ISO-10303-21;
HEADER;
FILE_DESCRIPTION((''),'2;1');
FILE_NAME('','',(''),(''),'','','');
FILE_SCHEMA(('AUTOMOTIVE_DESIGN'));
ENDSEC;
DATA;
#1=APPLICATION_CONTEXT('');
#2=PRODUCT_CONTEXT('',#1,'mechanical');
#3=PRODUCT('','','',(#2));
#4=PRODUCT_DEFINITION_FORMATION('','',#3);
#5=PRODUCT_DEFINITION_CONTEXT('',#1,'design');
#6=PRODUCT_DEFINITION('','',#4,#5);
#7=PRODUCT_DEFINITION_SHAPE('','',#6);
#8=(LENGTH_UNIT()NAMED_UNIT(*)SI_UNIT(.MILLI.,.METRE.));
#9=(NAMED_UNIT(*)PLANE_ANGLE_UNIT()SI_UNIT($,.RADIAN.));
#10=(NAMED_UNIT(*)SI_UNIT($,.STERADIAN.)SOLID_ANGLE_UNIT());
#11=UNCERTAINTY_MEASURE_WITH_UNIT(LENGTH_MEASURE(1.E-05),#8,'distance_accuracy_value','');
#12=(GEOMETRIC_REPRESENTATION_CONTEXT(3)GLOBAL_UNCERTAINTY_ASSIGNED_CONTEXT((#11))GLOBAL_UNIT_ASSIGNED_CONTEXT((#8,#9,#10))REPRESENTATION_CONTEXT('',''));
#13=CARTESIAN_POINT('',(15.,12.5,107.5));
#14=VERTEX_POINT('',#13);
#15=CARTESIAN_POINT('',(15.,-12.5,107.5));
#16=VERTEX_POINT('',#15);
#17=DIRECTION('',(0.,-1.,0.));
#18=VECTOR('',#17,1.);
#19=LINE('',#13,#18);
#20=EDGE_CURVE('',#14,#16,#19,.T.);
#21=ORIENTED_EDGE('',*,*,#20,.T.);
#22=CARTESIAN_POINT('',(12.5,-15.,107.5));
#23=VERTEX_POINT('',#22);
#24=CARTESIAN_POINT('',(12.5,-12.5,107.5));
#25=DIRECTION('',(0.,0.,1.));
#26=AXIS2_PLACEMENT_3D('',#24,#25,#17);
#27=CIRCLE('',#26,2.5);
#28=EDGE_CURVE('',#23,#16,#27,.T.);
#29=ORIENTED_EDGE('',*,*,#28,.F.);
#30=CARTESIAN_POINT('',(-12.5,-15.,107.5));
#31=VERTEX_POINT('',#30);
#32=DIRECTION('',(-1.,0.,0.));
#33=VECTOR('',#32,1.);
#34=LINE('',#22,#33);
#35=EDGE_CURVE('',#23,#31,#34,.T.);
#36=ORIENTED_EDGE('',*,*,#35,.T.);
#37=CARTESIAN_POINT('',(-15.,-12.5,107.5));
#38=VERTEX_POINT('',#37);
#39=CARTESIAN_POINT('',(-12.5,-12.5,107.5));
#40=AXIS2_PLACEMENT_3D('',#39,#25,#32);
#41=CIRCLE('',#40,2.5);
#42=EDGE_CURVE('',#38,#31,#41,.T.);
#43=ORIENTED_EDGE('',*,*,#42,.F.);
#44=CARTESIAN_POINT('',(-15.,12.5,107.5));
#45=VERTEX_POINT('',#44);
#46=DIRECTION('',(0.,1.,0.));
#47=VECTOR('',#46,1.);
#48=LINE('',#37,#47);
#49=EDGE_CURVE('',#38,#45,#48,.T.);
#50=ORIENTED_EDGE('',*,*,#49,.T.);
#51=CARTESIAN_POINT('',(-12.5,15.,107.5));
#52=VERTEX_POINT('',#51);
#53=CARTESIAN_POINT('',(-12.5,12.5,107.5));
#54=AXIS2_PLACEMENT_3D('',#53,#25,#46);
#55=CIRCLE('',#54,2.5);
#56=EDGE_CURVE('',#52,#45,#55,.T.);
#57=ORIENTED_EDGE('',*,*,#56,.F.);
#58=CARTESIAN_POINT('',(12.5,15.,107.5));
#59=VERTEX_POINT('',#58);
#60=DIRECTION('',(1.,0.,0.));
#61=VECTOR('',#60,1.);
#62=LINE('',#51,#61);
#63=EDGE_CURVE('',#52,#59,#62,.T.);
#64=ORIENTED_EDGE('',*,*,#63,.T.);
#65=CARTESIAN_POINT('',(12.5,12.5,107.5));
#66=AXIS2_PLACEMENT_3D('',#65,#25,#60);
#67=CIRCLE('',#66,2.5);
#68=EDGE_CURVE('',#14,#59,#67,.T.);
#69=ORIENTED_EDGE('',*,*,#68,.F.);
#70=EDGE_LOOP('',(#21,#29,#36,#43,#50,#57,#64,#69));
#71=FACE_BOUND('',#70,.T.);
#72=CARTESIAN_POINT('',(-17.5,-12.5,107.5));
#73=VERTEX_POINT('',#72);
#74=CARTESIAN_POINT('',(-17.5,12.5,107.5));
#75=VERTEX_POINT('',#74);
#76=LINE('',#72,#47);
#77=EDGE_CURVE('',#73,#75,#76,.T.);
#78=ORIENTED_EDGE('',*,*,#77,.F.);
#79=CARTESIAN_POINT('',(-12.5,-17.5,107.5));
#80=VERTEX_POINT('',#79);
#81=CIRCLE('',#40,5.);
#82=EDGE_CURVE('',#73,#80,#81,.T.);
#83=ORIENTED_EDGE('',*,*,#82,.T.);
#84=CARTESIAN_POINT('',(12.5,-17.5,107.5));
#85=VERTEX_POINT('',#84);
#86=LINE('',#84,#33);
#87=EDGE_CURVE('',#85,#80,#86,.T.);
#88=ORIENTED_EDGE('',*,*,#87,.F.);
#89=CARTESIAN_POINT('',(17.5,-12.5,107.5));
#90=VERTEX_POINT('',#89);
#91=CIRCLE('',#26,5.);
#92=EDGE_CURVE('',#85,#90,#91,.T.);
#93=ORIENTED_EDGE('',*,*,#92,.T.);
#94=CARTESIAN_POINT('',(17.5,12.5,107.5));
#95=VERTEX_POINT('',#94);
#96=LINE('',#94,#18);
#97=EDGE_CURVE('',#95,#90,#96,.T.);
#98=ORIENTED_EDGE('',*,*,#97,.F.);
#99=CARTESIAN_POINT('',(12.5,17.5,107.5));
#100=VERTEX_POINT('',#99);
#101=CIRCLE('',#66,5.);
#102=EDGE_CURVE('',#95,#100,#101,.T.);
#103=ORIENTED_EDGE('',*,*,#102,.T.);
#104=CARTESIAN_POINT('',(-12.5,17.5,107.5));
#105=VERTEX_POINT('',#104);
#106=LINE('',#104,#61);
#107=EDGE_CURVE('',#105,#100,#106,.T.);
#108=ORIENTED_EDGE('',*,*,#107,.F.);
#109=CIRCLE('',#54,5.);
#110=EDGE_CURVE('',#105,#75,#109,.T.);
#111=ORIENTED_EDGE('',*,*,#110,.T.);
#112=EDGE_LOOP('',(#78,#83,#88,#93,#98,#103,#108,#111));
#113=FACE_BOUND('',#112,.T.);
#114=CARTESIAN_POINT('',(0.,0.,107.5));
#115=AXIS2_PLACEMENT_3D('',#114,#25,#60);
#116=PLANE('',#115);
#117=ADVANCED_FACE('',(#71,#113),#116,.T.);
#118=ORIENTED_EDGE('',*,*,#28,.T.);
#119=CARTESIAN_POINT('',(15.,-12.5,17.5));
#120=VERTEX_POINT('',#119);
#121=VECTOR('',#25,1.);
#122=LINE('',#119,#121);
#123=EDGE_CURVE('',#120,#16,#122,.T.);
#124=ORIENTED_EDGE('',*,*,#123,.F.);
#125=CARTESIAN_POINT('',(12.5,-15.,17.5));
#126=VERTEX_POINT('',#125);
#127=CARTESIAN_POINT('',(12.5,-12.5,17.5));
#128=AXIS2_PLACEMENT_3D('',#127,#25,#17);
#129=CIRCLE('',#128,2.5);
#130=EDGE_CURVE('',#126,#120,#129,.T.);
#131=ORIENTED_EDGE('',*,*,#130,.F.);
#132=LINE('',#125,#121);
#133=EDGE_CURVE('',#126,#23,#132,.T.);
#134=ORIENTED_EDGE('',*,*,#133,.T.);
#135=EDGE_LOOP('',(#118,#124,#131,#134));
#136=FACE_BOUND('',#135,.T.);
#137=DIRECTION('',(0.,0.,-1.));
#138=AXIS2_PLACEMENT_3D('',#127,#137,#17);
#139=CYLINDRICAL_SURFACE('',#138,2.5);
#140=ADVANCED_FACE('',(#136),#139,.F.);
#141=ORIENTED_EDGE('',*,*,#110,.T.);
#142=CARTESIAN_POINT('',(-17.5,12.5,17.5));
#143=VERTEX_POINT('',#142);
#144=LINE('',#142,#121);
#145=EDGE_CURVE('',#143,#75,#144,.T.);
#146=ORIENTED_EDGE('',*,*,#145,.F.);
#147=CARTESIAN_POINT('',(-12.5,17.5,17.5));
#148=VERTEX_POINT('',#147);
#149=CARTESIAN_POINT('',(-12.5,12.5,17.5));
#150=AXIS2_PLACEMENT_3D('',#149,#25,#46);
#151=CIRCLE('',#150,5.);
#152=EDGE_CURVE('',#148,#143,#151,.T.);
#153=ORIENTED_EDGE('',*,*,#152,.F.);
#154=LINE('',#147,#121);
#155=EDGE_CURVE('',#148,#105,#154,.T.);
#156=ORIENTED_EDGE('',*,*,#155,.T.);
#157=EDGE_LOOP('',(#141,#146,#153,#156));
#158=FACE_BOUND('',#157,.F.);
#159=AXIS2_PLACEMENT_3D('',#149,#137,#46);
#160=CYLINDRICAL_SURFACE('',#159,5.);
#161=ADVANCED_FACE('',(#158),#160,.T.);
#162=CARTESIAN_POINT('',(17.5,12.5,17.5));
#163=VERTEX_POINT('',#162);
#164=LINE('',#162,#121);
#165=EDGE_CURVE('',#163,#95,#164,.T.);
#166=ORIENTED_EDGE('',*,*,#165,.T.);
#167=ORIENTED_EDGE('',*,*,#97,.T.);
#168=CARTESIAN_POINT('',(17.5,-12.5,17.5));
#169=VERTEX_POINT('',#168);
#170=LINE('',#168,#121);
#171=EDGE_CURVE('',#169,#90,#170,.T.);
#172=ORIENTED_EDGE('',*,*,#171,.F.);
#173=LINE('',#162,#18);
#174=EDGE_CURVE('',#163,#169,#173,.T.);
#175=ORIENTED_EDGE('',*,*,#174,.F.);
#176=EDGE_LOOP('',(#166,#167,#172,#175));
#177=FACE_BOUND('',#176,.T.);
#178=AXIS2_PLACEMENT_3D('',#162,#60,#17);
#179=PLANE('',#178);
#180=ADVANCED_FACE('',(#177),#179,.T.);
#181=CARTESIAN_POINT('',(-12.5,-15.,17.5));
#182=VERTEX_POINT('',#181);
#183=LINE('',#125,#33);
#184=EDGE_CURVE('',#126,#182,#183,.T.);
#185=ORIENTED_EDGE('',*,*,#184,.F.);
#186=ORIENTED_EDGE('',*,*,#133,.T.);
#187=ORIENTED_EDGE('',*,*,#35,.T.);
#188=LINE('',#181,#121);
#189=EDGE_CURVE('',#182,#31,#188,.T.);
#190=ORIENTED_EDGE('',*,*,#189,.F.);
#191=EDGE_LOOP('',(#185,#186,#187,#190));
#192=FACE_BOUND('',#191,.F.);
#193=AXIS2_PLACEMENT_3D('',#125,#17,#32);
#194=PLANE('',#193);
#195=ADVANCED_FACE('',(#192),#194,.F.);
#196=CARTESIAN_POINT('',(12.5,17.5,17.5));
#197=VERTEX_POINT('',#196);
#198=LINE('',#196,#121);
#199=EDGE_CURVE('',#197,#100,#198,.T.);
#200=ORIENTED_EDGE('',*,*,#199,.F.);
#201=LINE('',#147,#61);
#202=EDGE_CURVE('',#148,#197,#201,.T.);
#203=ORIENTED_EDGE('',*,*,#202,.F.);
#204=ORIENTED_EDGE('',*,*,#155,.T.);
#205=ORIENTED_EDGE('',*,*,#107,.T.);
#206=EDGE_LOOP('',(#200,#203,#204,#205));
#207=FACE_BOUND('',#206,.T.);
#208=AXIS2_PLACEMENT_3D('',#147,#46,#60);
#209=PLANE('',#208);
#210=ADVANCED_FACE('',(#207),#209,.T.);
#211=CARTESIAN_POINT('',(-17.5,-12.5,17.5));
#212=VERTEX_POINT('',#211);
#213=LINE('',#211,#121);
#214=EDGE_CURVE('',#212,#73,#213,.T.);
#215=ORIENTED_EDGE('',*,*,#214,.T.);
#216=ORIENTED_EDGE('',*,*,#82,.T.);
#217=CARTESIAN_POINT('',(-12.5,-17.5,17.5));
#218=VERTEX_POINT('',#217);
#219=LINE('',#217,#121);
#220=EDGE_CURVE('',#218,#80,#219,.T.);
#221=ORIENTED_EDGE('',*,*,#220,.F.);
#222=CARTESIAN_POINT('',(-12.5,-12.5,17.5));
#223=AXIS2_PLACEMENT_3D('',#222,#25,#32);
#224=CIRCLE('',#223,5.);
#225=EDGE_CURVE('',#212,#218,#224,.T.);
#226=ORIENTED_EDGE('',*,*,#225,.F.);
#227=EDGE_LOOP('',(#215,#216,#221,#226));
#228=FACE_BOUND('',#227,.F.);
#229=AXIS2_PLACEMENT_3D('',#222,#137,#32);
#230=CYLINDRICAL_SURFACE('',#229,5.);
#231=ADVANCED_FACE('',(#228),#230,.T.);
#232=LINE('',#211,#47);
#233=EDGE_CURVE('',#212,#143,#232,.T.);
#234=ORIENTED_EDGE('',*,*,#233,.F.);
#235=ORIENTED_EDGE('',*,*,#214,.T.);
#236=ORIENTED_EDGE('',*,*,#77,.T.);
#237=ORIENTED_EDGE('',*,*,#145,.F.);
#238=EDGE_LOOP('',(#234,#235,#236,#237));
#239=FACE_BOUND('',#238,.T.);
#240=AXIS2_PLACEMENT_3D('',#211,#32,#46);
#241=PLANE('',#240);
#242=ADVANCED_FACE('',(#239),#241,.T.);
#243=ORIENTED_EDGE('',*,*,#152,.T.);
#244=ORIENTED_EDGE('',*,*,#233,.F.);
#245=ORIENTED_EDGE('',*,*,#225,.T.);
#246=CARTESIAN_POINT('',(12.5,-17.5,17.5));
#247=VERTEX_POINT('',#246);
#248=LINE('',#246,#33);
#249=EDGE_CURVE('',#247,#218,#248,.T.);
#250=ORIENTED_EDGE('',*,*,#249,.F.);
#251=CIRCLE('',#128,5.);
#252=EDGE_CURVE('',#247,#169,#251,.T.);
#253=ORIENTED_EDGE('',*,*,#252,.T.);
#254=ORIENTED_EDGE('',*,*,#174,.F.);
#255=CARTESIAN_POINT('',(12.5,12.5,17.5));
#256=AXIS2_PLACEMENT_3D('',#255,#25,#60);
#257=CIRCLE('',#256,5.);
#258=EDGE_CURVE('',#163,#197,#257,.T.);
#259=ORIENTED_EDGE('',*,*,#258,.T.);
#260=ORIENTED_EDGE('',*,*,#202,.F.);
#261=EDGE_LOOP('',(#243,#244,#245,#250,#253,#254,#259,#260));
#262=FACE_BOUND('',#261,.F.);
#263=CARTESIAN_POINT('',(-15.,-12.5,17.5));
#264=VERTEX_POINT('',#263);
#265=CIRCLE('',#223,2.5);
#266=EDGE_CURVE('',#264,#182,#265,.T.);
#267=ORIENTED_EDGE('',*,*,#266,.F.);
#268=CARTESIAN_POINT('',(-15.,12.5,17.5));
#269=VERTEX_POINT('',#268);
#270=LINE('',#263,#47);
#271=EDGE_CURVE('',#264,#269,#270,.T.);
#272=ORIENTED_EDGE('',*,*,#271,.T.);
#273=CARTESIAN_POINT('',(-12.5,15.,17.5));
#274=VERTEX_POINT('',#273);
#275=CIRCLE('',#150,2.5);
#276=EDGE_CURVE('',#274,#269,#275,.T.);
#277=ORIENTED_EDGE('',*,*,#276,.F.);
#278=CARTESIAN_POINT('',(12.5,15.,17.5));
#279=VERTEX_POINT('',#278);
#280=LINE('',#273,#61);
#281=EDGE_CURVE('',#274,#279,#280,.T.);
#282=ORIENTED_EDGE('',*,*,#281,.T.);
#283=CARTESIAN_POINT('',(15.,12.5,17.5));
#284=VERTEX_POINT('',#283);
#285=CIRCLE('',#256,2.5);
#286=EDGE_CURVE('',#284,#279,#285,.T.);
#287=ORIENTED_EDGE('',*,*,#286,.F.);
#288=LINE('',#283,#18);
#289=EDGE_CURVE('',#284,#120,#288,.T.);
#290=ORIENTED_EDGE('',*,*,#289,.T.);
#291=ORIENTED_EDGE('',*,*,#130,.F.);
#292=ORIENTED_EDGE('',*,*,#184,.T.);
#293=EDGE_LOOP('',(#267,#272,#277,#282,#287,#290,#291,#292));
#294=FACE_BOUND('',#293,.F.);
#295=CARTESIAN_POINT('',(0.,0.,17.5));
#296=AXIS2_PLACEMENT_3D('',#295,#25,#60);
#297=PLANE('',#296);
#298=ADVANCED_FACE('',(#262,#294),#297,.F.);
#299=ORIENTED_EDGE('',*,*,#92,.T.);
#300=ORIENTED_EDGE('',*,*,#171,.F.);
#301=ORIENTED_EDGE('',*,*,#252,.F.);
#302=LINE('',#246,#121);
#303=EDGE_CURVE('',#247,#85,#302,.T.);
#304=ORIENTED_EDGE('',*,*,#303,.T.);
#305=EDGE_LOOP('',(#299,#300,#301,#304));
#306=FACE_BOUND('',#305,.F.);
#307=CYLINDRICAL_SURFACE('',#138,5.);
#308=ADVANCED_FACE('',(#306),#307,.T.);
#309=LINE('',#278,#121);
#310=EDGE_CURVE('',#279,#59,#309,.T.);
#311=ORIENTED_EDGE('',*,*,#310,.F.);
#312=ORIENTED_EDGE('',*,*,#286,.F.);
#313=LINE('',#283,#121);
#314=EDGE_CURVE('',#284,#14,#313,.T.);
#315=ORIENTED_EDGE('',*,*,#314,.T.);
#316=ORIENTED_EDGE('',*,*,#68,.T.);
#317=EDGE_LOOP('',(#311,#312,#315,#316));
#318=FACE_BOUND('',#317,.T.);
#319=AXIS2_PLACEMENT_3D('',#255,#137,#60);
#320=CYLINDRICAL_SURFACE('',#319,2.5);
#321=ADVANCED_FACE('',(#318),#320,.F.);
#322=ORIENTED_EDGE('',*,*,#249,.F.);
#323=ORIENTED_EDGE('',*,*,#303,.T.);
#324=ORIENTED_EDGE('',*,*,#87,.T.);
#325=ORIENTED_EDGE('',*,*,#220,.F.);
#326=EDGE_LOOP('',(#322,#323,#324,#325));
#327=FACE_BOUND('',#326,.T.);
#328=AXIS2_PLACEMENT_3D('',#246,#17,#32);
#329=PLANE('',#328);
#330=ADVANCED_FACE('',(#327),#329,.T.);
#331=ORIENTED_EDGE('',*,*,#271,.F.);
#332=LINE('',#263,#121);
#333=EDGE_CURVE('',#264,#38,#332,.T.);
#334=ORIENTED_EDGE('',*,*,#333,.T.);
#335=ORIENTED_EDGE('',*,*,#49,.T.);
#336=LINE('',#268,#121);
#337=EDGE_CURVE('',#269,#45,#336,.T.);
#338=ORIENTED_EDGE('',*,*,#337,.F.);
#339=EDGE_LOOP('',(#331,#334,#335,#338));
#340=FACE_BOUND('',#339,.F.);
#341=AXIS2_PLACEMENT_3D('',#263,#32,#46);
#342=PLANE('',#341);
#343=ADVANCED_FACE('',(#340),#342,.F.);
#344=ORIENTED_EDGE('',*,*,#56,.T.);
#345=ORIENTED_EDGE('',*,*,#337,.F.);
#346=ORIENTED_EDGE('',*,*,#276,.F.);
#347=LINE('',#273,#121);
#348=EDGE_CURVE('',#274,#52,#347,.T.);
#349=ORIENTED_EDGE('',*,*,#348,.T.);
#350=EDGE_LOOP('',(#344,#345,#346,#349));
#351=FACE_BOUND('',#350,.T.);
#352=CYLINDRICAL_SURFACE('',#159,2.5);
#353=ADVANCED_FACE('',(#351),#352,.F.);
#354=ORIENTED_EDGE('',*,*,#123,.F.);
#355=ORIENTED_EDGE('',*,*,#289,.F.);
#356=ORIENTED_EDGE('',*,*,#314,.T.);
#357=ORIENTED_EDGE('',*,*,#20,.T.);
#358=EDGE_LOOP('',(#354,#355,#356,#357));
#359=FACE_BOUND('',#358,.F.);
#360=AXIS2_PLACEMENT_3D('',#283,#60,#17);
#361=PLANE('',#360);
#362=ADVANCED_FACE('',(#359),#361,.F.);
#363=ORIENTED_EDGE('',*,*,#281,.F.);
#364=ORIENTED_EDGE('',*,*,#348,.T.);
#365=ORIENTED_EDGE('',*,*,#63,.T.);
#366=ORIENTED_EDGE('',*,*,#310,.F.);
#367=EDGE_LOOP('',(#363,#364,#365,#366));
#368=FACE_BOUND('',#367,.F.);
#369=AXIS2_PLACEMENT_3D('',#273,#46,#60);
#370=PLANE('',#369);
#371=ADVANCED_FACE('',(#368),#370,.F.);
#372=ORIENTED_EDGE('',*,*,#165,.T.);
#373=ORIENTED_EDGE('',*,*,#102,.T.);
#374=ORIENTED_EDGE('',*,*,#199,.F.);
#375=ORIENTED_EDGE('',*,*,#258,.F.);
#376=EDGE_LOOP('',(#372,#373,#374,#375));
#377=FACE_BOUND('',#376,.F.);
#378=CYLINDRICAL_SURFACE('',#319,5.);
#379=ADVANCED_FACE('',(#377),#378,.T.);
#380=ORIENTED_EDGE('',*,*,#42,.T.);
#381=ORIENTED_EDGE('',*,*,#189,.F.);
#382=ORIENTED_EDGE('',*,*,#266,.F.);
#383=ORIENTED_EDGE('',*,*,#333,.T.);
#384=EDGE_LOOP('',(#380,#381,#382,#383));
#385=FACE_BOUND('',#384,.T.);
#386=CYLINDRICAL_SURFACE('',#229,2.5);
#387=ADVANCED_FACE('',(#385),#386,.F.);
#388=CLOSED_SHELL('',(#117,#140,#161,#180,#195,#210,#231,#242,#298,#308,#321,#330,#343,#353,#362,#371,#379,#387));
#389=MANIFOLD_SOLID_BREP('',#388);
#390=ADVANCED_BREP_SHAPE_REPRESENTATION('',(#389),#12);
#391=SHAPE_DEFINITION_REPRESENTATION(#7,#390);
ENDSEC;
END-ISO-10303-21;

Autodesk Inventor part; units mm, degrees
ref_plane "Start plane" through (0, 0, 17.5) normal (0, 0, 1) x (1, 0, 0)
ref_plane "End plane" through (0, 0, 107.5) normal (0, 0, 1) x (1, 0, 0)
sketch "Sketch" plane through (0, 0, 0) normal (0, 0, 1) x (1, 0, 0)
  line L0 (-17.5, -12.5) -> (-17.5, 12.5)
  line L1 (-12.5, 17.5) -> (12.5, 17.5)
  line L2 (17.5, 12.5) -> (17.5, -12.5)
  line L3 (12.5, -17.5) -> (-12.5, -17.5)
  arc A0 (-17.5, -12.5) -> (-12.5, -17.5) centre (-12.5, -12.5) ccw
  arc A1 (-12.5, 17.5) -> (-17.5, 12.5) centre (-12.5, 12.5) ccw
  arc A2 (17.5, 12.5) -> (12.5, 17.5) centre (12.5, 12.5) ccw
  arc A3 (12.5, -17.5) -> (17.5, -12.5) centre (12.5, -12.5) ccw
  arc A4 (-12.5, 15) -> (-15, 12.5) centre (-12.5, 12.5) ccw
  line L4 (-12.5, 15) -> (12.5, 15)
  arc A5 (15, 12.5) -> (12.5, 15) centre (12.5, 12.5) ccw
  line L5 (15, 12.5) -> (15, -12.5)
  arc A6 (12.5, -15) -> (15, -12.5) centre (12.5, -12.5) ccw
  line L6 (12.5, -15) -> (-12.5, -15)
  arc A7 (-15, -12.5) -> (-12.5, -15) centre (-12.5, -12.5) ccw
  line L7 (-15, -12.5) -> (-15, 12.5)
  line L8 (0, 25.4278) -> (0, -25.4278) construction
  line L9 (-25.4278, 0) -> (25.4278, 0) construction
  dimension "d7" = 5
  dimension "d10" = 35
  dimension "d11" = 35
  dimension "d12" = 2.5
  dimension "d15" = 17.5
  dimension "d16" = 17.5
extrude "Body" add sketch "Sketch" along normal up to surface (90 mm away) from surface at 17.5
sketch "Sketch3" plane through (0, 0, 0) normal (0, 0, 1) x (1, 0, 0)
  line L0 (0, 0) -> (10, 0)
ref_plane "Work Plane3" through (0, 0, 0) normal (0, -1, 0) x (1, 0, 0)
sketch "Sketch4" plane through (0, 0, 0) normal (0, -1, 0) x (1, 0, 0)
  line L0 (-2, 17.5) -> (12, 17.5)
  line L1 (-2, 107.5) -> (12, 107.5)
  dimension "d18" = 90
ref_plane "Work Plane7" through (0, 0, 17.5) normal (0, 0, -1) x (-1, 0, 0)
split "Split4" plane through (0, 0, 17.5) removes the side toward (0, 0, -1)
ref_plane "Work Plane8" through (0, -61.0189, 107.5) normal (0, 0, 1) x (1, 0, 0)
split "Split5" plane through (0, -61.0189, 107.5) removes the side toward (0, 0, 1)
equation "\"d7\" = G_IR"
equation "\"d10\" = G_H"
equation "\"d11\" = G_W"
equation "\"d12\" = G_T"
equation "\"d15\" = 0.5 * d10"
equation "\"d16\" = 0.5 * d11"
equation "\"d3\" = G_L"
equation "\"G_W\" = 35"
equation "\"G_H\" = 35"
equation "\"G_T\" = 2.5"
equation "\"G_IR\" = 5"
equation "\"G_L\" = d18"
equation "\"G_OFFSET_START\" = -17.5"
equation "\"G_OFFSET_END\" = -17.5"
equation "\"d13\" = -G_OFFSET_START"
equation "\"d14\" = G_OFFSET_END + B_L"
equation "\"B_L\" = 125"
properties part number "AS 1163 - C350L0 35x35x2.5 SHS - 90" material "Steel, Mild"
